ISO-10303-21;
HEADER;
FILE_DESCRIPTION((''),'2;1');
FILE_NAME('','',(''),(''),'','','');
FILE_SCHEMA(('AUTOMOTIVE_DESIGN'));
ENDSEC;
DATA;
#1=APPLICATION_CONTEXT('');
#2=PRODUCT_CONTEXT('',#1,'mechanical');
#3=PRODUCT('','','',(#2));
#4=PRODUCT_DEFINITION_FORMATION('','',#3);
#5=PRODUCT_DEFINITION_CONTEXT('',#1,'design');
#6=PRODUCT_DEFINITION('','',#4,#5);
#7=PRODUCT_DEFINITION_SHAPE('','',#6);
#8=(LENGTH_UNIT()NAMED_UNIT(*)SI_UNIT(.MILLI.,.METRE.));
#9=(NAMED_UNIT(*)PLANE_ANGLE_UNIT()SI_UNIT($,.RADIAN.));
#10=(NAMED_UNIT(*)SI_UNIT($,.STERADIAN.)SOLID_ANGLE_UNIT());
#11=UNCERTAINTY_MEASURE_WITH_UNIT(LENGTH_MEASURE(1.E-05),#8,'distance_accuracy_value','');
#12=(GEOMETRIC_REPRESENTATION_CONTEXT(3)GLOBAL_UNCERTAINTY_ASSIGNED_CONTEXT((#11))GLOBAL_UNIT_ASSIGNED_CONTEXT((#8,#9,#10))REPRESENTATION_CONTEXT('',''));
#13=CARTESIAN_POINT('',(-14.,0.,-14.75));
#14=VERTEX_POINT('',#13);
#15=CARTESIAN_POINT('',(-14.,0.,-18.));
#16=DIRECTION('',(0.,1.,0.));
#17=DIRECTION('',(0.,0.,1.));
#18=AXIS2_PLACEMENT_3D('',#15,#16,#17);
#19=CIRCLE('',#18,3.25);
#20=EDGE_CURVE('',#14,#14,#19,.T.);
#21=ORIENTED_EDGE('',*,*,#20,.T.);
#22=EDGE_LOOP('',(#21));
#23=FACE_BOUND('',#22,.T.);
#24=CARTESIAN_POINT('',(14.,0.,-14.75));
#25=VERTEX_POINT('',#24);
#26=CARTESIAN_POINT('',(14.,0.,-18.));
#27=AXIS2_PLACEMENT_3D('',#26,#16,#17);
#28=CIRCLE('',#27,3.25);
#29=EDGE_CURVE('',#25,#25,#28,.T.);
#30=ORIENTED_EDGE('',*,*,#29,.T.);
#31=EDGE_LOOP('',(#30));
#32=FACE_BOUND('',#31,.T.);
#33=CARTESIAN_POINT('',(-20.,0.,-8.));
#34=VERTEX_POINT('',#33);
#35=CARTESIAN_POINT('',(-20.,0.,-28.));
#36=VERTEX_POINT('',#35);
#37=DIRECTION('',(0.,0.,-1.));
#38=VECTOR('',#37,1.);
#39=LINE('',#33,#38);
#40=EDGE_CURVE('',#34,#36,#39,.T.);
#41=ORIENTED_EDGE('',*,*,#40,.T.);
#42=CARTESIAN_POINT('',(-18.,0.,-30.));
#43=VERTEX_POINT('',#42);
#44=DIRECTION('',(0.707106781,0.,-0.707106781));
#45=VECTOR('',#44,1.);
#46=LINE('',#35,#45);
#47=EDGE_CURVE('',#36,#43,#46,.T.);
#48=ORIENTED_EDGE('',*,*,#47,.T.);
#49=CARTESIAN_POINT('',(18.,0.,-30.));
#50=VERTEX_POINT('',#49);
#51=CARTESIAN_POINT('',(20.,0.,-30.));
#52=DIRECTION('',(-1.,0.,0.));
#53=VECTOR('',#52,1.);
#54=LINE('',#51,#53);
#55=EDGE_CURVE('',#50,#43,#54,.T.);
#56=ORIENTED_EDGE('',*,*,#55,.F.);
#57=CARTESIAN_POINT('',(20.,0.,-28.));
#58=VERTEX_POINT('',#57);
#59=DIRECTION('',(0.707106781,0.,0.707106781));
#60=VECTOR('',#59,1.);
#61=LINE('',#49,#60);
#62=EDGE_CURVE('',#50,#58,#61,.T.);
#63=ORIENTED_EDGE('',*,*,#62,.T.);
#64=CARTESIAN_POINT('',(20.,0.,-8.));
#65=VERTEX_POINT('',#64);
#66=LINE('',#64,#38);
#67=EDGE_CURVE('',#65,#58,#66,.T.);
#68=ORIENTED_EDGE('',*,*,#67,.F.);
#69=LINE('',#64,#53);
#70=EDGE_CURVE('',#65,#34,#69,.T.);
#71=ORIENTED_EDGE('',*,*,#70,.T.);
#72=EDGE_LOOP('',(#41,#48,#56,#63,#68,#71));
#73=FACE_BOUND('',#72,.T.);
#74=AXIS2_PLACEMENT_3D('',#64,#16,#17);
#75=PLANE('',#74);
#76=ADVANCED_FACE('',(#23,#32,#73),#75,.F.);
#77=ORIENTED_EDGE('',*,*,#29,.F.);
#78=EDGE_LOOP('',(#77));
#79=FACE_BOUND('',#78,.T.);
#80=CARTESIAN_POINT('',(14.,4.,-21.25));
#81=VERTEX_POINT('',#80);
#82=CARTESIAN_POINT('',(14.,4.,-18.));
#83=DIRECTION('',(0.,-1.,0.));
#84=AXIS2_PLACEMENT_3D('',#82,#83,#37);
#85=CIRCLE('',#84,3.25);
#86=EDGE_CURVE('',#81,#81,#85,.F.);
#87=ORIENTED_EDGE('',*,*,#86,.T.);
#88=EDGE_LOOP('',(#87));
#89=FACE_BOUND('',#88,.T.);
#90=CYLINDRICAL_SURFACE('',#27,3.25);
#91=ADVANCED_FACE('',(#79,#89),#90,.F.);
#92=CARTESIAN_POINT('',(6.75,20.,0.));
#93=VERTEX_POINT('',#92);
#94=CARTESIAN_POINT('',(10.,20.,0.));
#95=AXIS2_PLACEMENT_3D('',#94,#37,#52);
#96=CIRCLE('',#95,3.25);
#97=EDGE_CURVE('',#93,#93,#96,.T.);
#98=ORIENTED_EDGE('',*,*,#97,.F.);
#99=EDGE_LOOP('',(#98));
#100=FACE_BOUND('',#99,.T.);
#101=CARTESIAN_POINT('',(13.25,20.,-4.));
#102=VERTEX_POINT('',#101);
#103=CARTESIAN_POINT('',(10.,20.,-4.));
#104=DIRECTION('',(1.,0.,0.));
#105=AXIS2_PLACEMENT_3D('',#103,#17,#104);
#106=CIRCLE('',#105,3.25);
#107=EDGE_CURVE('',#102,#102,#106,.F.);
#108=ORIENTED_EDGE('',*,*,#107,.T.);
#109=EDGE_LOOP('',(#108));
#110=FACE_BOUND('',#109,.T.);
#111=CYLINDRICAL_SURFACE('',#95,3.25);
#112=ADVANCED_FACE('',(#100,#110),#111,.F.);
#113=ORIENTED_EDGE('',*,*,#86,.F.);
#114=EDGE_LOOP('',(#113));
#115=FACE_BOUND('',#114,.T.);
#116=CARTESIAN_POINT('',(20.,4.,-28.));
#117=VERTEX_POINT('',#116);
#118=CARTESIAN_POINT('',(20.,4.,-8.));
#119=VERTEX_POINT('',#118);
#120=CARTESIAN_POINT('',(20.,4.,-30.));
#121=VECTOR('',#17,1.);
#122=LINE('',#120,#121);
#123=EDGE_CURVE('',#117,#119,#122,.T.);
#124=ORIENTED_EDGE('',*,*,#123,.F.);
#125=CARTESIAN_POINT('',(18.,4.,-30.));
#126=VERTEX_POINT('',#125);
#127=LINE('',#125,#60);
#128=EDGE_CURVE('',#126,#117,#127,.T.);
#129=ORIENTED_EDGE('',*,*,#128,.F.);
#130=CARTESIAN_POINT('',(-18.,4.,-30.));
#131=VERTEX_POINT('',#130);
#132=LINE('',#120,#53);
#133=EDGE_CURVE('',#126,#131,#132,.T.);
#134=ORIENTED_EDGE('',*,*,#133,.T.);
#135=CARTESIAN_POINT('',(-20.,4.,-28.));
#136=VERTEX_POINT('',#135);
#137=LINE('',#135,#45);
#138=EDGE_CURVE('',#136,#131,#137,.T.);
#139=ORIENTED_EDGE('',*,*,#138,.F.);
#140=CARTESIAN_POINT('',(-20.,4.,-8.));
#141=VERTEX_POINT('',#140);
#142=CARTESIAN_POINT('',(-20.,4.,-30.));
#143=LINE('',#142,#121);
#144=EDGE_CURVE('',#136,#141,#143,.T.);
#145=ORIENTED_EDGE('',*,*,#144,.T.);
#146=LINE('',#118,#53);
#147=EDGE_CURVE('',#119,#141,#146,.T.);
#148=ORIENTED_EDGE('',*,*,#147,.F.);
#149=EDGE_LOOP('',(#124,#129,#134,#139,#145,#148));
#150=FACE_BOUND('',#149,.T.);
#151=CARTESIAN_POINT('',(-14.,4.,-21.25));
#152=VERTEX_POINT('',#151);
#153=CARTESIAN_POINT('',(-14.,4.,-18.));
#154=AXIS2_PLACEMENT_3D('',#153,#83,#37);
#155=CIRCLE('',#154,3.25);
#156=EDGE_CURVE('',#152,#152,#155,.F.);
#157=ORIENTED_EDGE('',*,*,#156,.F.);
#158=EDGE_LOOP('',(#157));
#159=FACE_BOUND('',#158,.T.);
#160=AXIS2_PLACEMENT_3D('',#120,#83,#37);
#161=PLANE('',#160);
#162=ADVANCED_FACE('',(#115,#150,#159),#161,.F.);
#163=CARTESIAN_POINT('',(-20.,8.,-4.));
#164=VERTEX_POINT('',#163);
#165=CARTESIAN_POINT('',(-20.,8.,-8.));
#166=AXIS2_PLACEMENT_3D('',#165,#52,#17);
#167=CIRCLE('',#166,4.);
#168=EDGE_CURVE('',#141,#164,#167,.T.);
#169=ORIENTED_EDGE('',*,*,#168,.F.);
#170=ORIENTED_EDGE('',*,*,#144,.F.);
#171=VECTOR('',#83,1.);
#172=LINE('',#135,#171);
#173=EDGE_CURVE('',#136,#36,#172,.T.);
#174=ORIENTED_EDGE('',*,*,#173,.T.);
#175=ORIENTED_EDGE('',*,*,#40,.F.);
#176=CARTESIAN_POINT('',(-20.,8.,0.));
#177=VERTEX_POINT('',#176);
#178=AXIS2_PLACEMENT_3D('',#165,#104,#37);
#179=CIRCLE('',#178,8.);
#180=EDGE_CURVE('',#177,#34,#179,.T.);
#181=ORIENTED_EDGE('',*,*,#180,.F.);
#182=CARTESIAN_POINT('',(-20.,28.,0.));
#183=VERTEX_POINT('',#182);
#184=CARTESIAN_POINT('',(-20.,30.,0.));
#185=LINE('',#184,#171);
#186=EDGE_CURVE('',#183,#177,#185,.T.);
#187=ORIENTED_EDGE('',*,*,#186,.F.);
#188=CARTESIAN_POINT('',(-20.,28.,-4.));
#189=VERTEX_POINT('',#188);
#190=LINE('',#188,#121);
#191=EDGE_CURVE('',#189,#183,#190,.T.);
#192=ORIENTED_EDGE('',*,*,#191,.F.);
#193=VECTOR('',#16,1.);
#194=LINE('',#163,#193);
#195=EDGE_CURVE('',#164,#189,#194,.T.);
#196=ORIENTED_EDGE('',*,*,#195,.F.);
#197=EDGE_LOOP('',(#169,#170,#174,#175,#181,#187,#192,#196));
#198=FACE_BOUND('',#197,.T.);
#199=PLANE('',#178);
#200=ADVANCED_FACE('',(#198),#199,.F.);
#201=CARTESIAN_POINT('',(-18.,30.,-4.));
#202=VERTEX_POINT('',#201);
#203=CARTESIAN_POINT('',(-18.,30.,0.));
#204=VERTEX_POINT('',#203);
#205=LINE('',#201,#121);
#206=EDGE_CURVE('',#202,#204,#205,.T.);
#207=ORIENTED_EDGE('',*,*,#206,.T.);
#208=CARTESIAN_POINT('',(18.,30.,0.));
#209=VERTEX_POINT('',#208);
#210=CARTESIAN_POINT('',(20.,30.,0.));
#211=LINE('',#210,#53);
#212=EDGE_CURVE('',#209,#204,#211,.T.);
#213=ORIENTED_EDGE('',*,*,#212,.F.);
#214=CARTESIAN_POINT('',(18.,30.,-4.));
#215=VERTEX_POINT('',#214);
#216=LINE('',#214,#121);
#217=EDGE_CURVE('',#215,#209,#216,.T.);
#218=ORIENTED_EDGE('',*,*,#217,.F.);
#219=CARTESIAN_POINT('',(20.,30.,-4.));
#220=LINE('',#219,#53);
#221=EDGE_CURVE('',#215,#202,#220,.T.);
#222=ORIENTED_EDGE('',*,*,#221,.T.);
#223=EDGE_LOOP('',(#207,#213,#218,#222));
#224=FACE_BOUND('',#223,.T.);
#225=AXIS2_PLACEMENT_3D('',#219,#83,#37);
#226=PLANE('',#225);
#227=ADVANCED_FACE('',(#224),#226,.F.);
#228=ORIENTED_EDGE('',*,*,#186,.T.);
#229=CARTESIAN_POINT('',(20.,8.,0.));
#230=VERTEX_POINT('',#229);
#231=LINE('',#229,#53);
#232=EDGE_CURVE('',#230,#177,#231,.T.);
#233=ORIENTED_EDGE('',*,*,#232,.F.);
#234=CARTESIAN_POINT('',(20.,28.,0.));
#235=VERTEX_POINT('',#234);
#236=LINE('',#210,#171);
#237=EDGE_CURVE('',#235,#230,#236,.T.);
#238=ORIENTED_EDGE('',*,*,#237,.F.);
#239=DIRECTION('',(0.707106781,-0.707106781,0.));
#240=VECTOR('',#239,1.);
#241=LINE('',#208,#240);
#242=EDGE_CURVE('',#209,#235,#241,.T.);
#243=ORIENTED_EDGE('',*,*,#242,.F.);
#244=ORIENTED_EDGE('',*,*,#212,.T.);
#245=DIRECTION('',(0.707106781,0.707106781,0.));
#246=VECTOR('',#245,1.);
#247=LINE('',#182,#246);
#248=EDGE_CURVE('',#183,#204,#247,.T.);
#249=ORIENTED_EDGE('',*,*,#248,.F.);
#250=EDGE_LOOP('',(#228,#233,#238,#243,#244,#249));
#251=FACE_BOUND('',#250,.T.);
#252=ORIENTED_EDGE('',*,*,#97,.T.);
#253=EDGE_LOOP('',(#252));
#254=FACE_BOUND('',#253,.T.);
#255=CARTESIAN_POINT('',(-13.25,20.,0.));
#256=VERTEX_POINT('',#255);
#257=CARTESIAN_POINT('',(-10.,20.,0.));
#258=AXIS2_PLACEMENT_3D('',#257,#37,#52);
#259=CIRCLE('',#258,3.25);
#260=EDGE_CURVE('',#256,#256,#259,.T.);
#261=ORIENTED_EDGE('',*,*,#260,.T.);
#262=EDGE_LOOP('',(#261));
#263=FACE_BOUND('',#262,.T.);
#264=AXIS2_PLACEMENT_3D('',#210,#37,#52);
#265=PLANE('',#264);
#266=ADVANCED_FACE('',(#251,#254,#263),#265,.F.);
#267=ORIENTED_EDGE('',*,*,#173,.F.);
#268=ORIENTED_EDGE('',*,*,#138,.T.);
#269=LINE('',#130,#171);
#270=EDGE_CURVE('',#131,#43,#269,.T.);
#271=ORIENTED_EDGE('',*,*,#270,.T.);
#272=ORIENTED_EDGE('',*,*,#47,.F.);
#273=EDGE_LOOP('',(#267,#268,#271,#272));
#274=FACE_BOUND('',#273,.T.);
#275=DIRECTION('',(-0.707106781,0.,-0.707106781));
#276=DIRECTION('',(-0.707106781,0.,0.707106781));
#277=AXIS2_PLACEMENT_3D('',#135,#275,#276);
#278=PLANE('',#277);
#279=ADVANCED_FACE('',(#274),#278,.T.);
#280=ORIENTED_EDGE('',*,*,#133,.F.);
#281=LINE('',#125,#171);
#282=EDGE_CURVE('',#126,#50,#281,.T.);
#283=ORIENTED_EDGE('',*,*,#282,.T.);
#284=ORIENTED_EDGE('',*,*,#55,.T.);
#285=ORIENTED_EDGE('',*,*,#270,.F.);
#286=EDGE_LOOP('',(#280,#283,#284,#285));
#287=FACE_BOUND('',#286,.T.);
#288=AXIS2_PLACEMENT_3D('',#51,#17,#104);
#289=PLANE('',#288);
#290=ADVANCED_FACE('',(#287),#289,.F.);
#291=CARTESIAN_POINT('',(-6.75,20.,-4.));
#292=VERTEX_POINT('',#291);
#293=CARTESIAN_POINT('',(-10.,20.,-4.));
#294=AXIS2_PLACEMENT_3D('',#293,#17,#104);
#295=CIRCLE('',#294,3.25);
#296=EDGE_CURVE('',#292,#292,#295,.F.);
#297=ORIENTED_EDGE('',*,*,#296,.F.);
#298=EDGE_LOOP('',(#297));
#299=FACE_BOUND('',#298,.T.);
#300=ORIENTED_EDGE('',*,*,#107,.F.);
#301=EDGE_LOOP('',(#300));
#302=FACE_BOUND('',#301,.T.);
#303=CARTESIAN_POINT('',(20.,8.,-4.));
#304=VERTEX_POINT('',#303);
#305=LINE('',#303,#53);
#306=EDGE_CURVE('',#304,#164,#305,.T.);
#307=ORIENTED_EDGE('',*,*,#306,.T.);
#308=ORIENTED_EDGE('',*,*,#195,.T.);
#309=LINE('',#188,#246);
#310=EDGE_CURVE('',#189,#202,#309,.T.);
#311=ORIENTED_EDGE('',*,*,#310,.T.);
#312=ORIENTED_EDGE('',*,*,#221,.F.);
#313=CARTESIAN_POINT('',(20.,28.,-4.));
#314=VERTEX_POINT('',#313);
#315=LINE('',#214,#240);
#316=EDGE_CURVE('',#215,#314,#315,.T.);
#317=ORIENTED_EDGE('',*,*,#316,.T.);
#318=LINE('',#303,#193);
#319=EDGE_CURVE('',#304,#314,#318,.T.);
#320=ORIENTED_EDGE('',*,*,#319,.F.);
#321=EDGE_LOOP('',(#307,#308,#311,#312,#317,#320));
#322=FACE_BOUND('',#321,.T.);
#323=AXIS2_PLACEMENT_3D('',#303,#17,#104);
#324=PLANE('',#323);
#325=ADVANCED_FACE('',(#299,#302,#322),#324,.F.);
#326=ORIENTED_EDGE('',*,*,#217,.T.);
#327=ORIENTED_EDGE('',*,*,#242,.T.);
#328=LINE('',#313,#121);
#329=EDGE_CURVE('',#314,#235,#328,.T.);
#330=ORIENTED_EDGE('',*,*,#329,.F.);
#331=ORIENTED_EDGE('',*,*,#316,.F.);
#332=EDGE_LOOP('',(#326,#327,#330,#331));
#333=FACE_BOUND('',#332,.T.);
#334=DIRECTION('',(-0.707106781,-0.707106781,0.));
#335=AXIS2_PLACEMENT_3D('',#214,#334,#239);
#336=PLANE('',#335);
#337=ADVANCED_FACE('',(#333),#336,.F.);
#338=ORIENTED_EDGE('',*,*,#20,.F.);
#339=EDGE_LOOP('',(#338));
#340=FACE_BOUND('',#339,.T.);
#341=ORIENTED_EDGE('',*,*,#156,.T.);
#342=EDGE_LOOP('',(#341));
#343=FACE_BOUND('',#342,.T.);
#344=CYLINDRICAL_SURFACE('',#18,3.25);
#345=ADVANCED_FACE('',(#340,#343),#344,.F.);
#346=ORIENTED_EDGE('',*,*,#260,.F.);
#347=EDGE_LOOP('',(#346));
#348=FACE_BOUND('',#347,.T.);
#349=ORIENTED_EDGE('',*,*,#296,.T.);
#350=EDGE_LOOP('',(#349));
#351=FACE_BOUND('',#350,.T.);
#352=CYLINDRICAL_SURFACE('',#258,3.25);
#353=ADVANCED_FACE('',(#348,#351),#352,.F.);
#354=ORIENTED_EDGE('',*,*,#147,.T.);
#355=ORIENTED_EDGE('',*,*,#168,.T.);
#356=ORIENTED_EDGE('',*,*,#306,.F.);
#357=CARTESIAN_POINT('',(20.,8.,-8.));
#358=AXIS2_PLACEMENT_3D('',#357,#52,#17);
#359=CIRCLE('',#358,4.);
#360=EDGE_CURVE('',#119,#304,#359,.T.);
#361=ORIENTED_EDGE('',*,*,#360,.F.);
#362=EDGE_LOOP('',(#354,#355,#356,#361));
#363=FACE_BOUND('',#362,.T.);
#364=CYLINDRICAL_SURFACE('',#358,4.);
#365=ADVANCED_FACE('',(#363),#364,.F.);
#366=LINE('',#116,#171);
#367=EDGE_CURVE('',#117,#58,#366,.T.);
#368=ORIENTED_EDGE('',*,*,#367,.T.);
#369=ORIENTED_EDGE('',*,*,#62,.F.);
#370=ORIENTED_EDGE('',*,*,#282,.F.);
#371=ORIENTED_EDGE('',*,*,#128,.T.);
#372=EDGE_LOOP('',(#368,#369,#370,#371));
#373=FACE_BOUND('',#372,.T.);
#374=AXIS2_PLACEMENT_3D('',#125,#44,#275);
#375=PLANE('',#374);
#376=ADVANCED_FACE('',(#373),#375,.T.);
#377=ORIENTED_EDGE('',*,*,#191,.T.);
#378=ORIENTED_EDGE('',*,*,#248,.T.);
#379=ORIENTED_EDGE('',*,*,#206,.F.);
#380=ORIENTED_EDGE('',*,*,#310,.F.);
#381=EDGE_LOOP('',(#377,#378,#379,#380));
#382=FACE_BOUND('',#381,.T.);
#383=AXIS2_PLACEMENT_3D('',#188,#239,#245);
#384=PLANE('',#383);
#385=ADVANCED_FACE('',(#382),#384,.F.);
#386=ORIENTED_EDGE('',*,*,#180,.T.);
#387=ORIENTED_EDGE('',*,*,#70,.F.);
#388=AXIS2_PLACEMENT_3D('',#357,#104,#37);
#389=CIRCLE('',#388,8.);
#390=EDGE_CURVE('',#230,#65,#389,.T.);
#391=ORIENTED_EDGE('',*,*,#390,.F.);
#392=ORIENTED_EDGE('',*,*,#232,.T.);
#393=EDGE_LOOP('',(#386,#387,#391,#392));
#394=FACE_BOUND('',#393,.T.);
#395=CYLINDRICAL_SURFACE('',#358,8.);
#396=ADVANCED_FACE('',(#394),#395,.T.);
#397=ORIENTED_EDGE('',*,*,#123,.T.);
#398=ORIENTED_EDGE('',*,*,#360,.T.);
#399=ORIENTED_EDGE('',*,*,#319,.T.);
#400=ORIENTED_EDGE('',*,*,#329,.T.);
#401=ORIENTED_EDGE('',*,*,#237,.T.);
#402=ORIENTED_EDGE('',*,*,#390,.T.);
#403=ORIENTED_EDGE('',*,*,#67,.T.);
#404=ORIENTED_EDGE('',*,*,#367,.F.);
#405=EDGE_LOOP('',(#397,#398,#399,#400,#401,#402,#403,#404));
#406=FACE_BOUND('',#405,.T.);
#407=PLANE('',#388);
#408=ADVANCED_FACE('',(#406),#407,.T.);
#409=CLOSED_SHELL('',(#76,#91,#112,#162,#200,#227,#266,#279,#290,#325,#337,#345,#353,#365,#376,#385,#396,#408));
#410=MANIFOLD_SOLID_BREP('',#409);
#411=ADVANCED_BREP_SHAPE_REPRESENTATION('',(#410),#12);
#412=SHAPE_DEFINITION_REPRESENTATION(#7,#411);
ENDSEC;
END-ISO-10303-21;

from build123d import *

# Parameters (mm, degrees)
EXTRUDE_1_DEPTH      = 20
EXTRUDE_1_DEPTH_BACK = 20
CUT_EXTRUDE_1_DEPTH  = 4
CUT_EXTRUDE_2_DEPTH  = 4
SKETCH_4_W           = 3.25
SKETCH_4_H           = 9
SKETCH_5_W           = 3.25
SKETCH_5_H           = 9
SKETCH_6_W           = 3.25
SKETCH_6_H           = 9
SKETCH_7_W           = 3.25
SKETCH_7_H           = 9


with BuildPart() as part:
    # ｽｹｯﾁ1 → ﾎﾞｽ - 押し出し1 (new, two sides: drawn at the far end of the back side and taken through both)
    with BuildSketch(Plane(origin=(0, 0, 0), x_dir=(0, 0, -1), z_dir=(1, 0, 0)).offset(-EXTRUDE_1_DEPTH_BACK)):
        with BuildLine():
            Line((8, 0), (30, 0))
            Line((30, 0), (30, 4))
            Line((30, 4), (8, 4))
            ThreePointArc((8, 4), (5.171572875, 5.171572875), (4, 8))
            Line((4, 8), (4, 30))
            Line((4, 30), (0, 30))
            Line((0, 30), (0, 8))
            ThreePointArc((0, 8), (2.343145751, 2.343145751), (8, 0))
        make_face()
    extrude(amount=EXTRUDE_1_DEPTH + EXTRUDE_1_DEPTH_BACK)

    # ｽｹｯﾁ2 → ｶｯﾄ - 押し出し1 (cut)
    with BuildSketch(Plane.XY):
        Polygon((-22, 32), (-22, 27), (-20, 27), (-20, 28), (-18, 30), (18, 30), (20, 28), (20, 27), (22, 27), (22, 32), align=None)
    extrude(amount=-CUT_EXTRUDE_1_DEPTH, mode=Mode.SUBTRACT)

    # ｽｹｯﾁ3 → ｶｯﾄ - 押し出し2 (cut)
    with BuildSketch(Plane(origin=(0, 0, 0), x_dir=(1, 0, 0), z_dir=(0, 1, 0))):
        Polygon((-22, 32), (-22, 27), (-20, 27), (-20, 28), (-18, 30), (18, 30), (20, 28), (20, 27), (22, 27), (22, 32), align=None)
    extrude(amount=CUT_EXTRUDE_2_DEPTH, mode=Mode.SUBTRACT)

    # ｽｹｯﾁ4 → ｶｯﾄ - 回転1 (revolve, cut)
    with BuildSketch(Plane(origin=(0, 20, 0), x_dir=(1, 0, 0), z_dir=(0, 1, 0))):
        with Locations((11.625, 4.5)):
            Rectangle(SKETCH_4_W, SKETCH_4_H)
    revolve(axis=Axis((10, 20, 0), (0, 0, -1)), mode=Mode.SUBTRACT)

    # ｽｹｯﾁ5 → ｶｯﾄ - 回転2 (revolve, cut)
    with BuildSketch(Plane(origin=(0, 20, 0), x_dir=(1, 0, 0), z_dir=(0, 1, 0))):
        with Locations((-8.375, 4.5)):
            Rectangle(SKETCH_5_W, SKETCH_5_H)
    revolve(axis=Axis((-10, 20, 0), (0, 0, -1)), mode=Mode.SUBTRACT)

    # ｽｹｯﾁ6 → ｶｯﾄ - 回転3 (revolve, cut)
    with BuildSketch(Plane.XY.offset(-18)):
        with Locations((15.625, 4.5)):
            Rectangle(SKETCH_6_W, SKETCH_6_H)
    revolve(axis=Axis((14, 0, -18), (0, 1, 0)), mode=Mode.SUBTRACT)

    # ｽｹｯﾁ7 → ｶｯﾄ - 回転4 (revolve, cut)
    with BuildSketch(Plane.XY.offset(-18)):
        with Locations((-12.375, 4.5)):
            Rectangle(SKETCH_7_W, SKETCH_7_H)
    revolve(axis=Axis((-14, 0, -18), (0, 1, 0)), mode=Mode.SUBTRACT)


solid = part.part
